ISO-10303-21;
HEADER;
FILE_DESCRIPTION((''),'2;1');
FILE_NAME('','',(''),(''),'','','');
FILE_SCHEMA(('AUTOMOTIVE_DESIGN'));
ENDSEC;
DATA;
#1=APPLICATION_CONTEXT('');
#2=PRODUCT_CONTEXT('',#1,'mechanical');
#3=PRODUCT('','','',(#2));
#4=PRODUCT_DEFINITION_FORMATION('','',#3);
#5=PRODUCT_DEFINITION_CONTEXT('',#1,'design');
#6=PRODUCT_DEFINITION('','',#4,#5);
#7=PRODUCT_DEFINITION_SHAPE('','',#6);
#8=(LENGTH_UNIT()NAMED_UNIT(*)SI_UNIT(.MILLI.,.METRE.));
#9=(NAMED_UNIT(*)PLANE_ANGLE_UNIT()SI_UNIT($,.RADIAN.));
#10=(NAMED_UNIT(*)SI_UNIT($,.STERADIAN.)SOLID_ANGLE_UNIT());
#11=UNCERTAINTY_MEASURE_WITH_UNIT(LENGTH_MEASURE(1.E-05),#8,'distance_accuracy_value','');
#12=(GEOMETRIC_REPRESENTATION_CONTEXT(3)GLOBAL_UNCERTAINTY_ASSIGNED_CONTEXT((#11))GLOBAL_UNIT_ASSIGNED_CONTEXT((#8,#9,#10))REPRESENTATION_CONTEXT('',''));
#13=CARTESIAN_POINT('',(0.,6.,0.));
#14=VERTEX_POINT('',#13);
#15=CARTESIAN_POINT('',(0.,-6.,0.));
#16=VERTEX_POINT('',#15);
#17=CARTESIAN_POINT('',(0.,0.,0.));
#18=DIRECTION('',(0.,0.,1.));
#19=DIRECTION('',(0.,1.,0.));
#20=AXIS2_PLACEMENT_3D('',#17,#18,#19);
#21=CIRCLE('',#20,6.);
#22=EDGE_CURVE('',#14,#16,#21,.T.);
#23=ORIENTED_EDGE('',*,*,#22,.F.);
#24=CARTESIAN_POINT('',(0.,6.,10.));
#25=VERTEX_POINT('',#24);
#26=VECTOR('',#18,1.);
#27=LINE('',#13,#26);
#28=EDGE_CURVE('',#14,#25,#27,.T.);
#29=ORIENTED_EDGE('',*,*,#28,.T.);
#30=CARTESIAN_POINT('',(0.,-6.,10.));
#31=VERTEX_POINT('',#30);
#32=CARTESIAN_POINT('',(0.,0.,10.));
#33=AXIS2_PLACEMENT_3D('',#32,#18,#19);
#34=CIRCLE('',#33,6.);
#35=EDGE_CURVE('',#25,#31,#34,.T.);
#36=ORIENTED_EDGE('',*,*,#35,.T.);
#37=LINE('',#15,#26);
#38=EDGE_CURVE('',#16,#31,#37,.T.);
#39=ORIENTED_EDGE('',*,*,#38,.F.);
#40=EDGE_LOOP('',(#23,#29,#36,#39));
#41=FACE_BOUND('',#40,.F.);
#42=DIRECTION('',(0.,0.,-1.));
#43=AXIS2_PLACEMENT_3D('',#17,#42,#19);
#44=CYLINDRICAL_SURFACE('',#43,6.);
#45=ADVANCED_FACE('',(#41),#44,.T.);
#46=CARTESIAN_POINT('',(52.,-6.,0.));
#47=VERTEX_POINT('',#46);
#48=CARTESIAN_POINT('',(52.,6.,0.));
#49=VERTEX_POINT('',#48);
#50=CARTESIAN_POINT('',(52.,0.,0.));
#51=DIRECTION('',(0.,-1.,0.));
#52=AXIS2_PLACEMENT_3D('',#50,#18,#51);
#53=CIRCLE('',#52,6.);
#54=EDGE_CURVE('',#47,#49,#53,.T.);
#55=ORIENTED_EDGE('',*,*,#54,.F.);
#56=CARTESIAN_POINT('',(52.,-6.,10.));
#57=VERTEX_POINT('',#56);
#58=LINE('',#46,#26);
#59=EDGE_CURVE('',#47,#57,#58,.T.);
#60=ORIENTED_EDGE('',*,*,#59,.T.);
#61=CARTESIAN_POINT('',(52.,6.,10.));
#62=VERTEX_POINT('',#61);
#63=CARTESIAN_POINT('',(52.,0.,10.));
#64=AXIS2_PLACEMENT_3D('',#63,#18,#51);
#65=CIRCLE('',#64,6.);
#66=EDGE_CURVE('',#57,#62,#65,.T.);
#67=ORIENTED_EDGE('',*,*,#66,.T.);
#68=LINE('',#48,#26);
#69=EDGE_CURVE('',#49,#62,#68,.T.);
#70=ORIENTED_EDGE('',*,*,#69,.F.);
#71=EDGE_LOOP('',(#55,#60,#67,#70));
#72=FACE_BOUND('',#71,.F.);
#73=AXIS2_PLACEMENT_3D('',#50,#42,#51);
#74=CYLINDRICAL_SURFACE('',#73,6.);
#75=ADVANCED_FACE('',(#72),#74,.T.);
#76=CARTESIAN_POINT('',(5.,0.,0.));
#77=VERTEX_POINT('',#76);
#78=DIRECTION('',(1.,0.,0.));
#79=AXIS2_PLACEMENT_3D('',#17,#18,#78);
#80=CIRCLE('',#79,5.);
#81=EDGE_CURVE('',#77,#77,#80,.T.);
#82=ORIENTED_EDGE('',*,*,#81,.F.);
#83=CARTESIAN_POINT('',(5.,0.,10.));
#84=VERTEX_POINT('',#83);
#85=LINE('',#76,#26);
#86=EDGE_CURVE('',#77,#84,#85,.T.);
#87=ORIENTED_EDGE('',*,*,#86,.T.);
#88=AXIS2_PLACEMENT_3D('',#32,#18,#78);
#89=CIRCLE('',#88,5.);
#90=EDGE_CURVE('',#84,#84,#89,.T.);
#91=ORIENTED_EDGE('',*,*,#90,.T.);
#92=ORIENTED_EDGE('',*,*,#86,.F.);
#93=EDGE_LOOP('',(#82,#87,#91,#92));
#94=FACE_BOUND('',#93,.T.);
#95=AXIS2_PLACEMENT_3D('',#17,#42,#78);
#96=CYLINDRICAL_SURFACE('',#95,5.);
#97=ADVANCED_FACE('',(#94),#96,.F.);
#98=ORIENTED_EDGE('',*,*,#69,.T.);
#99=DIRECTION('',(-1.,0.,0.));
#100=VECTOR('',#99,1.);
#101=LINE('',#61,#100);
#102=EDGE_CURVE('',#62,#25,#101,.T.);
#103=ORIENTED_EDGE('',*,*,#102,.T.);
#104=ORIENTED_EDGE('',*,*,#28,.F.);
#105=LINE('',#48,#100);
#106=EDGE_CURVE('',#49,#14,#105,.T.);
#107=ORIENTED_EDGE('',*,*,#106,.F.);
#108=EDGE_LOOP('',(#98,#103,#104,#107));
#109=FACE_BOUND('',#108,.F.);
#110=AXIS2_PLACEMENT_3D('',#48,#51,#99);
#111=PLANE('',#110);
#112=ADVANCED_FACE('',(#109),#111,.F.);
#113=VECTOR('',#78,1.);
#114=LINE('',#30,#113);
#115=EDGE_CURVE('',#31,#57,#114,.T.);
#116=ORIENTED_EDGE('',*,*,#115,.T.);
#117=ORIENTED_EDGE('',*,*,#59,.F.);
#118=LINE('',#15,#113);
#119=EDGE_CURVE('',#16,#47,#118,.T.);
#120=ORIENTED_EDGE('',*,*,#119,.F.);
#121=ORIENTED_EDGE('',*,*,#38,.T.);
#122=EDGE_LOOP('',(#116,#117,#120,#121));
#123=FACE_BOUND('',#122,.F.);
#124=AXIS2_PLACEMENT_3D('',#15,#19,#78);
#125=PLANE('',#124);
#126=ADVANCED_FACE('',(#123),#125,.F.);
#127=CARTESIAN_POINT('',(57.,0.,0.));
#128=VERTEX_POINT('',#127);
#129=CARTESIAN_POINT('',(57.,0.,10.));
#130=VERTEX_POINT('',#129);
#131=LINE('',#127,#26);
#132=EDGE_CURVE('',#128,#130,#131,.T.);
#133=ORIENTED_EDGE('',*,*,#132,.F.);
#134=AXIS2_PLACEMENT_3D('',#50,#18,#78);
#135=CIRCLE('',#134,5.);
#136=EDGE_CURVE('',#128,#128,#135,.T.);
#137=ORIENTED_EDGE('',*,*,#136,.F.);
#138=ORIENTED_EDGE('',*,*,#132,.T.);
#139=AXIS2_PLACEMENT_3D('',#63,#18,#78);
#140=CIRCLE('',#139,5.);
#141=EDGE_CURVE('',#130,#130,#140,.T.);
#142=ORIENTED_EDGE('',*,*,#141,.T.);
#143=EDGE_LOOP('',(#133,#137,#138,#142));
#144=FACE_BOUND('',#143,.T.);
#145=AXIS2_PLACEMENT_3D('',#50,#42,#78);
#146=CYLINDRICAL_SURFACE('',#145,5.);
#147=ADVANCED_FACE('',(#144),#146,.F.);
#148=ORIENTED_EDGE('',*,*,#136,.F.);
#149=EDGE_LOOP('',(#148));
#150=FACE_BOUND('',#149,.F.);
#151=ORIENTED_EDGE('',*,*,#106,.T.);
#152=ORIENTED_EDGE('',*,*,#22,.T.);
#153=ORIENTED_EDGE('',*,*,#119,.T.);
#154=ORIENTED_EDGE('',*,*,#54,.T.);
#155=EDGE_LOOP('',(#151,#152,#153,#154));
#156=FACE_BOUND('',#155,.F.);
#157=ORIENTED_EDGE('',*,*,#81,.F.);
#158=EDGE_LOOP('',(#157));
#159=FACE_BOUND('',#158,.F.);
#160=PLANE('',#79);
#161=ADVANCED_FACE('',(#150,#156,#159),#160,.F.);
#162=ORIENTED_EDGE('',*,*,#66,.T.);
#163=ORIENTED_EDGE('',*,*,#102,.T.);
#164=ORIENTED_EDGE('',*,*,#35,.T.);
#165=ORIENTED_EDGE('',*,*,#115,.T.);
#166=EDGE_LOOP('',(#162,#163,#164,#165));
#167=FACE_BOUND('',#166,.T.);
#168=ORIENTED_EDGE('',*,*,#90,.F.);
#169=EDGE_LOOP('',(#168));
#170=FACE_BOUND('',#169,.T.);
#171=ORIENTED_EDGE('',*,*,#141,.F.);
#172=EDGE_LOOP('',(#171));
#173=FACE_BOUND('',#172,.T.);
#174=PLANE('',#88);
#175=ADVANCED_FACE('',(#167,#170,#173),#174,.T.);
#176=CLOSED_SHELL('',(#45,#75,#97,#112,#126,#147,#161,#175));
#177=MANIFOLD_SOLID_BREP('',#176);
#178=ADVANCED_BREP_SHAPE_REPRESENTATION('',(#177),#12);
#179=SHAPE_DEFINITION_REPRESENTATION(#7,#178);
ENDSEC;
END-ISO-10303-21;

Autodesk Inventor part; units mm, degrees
ref_plane "YZ Plane" through (0, 0, 0) normal (1, 0, 0) x (0, 1, 0)
ref_plane "XZ Plane" through (0, 0, 0) normal (0, 1, 0) x (-1, 0, 0)
ref_plane "XY Plane" through (0, 0, 0) normal (0, 0, 1) x (1, 0, 0)
sketch "草圖1" plane through (0, 0, 0) normal (0, 0, 1) x (1, 0, 0)
  circle A0 centre (0, 0) radius 5
  line L0 (0, 0) -> (52, 0) construction
  line L1 (0, -6) -> (52, -6)
  line L2 (52, 6) -> (0, 6)
  arc A1 (0, 6) -> (0, -6) centre (0, 0) ccw
  arc A2 (52, -6) -> (52, 6) centre (52, 0) ccw
  circle A3 centre (52, 0) radius 5
  point P0 (26, 0)
  dimension "d0" = 10
  dimension "d1" = 12
  dimension "d2" = 52
  dimension "d3" = 10
extrude "擠出1" add sketch "草圖1" along normal blind 10
properties part number "從動件"
